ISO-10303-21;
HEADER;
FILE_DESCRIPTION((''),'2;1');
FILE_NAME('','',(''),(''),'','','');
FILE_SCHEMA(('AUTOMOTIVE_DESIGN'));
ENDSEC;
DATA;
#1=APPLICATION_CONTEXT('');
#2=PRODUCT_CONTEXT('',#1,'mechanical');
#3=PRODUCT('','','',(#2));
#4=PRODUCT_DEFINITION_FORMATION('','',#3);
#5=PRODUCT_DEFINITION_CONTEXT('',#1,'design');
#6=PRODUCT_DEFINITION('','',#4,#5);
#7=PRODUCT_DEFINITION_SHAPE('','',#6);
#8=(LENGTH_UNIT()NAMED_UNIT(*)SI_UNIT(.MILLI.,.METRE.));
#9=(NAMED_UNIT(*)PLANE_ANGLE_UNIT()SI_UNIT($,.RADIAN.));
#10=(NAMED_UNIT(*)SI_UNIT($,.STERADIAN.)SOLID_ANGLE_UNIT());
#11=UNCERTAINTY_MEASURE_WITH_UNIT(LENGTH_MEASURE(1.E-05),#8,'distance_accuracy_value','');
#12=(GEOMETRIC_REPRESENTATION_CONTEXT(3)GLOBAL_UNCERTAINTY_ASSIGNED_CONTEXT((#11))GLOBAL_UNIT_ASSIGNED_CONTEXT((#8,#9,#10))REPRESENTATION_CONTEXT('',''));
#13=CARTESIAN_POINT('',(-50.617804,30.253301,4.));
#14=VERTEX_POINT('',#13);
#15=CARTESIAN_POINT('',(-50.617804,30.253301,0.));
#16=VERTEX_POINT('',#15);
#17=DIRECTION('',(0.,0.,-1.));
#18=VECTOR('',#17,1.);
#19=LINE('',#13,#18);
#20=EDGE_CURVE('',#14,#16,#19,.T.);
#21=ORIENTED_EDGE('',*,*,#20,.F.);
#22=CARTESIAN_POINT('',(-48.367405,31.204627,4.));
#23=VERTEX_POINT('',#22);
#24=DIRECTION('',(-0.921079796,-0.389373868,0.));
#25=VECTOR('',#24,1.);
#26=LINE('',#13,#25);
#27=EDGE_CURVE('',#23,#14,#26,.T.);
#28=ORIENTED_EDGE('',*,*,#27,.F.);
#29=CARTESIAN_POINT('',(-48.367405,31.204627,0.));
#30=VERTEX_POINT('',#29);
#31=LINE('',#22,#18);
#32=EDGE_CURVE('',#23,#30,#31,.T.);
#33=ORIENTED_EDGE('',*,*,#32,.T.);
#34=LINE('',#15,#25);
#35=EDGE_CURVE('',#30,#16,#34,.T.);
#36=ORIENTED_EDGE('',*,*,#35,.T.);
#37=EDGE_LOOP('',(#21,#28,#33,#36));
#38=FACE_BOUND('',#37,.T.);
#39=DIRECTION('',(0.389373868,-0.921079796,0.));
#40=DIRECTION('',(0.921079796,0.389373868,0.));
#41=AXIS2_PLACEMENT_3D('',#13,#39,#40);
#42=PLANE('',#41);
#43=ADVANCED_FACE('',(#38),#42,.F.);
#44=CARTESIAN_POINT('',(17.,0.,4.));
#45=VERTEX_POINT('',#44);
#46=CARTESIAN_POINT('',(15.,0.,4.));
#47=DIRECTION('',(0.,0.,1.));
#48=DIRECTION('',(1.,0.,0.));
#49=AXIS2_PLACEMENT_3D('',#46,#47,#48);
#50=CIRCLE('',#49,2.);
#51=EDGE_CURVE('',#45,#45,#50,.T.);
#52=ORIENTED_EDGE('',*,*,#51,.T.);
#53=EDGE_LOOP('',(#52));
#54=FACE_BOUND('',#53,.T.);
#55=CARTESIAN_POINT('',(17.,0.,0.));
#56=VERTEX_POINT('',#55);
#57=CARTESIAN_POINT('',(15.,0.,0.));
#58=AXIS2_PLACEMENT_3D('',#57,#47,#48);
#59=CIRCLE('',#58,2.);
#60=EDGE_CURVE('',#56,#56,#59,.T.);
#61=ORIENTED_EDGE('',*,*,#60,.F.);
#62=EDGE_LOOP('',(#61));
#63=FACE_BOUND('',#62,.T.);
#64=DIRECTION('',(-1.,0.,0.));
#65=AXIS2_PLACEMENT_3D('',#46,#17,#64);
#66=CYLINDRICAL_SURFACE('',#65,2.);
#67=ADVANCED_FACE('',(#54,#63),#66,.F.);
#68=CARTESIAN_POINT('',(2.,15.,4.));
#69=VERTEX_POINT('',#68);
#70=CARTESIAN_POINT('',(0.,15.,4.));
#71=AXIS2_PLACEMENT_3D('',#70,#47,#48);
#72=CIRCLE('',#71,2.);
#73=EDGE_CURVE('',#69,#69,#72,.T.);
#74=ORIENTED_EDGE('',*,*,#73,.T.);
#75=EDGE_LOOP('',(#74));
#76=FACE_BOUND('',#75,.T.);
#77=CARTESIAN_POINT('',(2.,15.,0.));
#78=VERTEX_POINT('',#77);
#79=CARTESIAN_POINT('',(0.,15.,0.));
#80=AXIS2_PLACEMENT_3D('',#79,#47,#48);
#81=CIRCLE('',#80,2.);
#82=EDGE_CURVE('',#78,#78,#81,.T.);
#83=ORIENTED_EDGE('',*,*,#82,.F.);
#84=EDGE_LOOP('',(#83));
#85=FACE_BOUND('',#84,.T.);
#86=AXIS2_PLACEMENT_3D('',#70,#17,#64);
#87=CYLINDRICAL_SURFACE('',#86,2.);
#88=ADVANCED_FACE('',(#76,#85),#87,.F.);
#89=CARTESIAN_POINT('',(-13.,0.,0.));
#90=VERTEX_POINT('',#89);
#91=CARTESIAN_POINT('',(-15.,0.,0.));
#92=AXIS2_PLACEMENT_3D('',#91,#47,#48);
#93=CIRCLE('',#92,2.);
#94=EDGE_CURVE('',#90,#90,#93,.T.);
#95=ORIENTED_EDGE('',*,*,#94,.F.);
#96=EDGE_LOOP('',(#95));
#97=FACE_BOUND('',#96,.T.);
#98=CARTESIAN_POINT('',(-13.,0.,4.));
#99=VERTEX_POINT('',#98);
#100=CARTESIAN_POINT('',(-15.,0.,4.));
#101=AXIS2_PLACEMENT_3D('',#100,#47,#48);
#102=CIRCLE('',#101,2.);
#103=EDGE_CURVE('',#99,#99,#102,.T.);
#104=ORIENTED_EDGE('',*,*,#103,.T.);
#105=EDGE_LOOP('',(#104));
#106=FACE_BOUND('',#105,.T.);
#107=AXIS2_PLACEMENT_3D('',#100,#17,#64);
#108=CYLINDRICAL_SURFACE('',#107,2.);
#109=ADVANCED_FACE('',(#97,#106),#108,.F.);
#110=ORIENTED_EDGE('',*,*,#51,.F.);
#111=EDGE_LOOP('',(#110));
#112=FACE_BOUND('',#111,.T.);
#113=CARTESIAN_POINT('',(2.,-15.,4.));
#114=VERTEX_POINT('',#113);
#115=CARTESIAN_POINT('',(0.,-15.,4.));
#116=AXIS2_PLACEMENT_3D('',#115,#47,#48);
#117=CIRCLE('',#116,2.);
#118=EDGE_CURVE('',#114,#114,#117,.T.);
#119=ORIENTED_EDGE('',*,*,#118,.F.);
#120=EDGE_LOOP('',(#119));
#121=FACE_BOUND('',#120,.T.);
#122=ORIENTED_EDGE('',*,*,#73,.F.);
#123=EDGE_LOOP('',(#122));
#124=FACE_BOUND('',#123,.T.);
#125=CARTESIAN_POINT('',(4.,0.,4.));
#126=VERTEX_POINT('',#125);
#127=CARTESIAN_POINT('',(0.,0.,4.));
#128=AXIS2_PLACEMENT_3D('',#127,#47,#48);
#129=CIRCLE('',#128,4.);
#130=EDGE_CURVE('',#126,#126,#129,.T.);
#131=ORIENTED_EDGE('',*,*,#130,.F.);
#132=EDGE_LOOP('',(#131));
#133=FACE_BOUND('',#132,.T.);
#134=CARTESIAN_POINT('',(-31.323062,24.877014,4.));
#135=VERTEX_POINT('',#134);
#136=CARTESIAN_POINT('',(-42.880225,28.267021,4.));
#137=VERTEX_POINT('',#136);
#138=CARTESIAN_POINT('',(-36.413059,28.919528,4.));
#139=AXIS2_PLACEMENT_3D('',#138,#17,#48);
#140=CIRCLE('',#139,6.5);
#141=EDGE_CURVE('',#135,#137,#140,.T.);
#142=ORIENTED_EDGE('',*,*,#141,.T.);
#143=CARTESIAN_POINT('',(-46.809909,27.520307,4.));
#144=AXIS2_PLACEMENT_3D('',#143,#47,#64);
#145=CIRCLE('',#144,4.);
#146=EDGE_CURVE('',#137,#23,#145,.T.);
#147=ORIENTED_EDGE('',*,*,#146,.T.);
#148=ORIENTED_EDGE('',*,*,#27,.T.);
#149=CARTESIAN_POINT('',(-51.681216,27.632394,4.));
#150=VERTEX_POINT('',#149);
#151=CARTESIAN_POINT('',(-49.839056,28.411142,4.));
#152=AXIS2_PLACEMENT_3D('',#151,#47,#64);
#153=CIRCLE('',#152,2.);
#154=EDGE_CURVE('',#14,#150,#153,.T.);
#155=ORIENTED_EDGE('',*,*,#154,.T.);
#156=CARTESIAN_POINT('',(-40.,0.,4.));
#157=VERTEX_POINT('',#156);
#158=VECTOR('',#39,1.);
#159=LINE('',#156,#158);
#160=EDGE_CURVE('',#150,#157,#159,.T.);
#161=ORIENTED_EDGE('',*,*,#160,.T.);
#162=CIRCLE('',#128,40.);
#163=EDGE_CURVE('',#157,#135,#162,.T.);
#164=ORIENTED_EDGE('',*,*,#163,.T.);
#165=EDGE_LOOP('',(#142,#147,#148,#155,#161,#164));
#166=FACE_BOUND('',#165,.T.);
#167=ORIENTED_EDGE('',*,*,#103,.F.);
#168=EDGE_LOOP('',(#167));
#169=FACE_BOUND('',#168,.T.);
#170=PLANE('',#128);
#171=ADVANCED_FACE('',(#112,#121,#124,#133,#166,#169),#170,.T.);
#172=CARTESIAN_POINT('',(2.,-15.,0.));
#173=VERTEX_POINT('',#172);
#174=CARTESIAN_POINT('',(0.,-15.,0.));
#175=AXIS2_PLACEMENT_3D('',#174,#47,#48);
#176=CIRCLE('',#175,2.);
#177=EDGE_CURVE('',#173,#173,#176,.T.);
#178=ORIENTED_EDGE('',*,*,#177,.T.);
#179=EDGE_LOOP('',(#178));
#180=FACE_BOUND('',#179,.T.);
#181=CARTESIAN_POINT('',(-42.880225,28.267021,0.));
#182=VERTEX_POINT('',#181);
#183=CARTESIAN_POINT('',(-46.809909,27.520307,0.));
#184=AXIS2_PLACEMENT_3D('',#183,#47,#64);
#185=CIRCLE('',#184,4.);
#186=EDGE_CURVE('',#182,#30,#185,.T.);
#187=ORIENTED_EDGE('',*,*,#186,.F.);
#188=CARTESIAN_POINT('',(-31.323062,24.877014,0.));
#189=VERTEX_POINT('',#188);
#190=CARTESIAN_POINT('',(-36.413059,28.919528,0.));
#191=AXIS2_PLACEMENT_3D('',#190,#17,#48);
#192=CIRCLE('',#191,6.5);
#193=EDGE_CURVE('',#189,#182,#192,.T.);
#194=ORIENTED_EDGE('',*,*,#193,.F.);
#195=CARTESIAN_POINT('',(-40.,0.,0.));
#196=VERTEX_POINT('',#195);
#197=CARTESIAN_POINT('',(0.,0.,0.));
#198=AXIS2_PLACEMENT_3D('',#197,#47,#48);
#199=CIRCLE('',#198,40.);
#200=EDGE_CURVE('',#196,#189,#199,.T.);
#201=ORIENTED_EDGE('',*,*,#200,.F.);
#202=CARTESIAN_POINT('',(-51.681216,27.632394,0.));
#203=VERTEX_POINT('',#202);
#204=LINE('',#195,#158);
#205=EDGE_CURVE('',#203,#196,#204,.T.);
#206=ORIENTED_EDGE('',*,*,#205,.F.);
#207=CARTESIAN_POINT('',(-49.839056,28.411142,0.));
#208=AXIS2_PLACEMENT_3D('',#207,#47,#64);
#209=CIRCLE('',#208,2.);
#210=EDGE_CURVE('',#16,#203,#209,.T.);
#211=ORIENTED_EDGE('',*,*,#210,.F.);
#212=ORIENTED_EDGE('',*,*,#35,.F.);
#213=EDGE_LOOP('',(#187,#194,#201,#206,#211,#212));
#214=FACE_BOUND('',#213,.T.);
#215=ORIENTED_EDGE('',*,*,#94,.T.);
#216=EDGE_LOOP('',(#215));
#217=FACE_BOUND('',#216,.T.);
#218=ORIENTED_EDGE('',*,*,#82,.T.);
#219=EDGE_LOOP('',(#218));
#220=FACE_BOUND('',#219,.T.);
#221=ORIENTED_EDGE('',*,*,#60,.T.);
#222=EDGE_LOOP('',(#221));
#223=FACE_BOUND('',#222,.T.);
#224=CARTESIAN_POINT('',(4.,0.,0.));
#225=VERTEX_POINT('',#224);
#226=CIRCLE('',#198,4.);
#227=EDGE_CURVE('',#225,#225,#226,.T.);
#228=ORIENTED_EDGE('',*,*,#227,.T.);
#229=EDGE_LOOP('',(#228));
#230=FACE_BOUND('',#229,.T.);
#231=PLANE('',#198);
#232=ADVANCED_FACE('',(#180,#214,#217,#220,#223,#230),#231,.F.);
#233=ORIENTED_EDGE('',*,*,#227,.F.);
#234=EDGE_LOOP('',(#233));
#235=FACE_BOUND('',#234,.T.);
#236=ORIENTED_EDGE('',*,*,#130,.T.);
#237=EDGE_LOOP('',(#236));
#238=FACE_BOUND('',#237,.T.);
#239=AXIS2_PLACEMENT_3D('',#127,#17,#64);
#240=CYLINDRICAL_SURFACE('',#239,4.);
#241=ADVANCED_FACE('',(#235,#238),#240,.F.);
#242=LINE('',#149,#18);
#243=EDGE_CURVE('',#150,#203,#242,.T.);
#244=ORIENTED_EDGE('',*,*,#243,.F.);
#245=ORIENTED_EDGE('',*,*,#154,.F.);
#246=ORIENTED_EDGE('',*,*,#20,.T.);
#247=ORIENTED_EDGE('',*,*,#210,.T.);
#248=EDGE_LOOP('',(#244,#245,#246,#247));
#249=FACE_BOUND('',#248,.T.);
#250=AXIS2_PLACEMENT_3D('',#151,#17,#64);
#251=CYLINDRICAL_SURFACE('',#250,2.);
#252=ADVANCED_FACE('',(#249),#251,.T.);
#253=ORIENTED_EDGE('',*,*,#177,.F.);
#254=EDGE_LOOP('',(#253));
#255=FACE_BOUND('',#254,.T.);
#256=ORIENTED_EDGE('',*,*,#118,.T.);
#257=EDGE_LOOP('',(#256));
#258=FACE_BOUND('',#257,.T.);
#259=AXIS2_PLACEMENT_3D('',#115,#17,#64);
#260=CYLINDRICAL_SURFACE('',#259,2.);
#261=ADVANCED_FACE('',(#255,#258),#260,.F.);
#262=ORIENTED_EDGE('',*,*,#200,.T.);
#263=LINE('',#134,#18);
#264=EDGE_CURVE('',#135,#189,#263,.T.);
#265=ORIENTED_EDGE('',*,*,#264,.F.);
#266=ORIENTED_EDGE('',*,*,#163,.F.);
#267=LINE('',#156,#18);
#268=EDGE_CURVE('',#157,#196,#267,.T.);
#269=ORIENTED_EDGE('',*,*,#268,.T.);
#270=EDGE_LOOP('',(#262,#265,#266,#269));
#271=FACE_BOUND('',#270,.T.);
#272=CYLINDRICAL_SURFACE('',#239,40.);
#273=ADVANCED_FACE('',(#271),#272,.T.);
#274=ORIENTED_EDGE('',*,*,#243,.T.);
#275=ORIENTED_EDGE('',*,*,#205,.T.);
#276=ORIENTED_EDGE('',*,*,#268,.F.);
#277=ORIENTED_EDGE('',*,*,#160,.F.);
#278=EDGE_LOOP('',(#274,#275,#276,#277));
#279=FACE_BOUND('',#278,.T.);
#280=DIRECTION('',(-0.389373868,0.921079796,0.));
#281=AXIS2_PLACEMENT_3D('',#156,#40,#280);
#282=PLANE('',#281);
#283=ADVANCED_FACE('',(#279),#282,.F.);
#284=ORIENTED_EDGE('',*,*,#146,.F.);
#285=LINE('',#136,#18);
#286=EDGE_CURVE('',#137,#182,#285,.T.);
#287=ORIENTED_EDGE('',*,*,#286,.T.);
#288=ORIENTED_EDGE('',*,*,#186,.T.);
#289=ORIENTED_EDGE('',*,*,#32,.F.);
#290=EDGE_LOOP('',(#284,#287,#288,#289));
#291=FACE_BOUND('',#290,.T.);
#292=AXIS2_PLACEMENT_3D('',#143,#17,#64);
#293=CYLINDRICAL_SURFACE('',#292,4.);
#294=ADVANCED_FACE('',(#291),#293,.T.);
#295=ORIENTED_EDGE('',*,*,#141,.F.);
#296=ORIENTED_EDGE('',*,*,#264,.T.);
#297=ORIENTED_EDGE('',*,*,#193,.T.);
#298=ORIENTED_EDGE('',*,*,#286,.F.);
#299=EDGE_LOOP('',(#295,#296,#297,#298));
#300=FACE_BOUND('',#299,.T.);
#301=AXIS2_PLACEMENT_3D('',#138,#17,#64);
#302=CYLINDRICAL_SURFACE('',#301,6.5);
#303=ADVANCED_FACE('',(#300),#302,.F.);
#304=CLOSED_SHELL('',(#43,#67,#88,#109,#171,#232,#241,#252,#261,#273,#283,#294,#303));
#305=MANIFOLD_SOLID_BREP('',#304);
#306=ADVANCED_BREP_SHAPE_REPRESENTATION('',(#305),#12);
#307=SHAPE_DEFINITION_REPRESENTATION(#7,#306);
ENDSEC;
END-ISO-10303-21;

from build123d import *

# Parameters (mm, degrees)
SKETCH1_R           = 4
SKETCH1_R_2         = 2
BOSS_EXTRUDE1_DEPTH = 4


with BuildPart() as part:
    # Sketch1 → Boss-Extrude1 (new body)
    with BuildSketch(Plane.XY):
        with BuildLine():
            Line((-40, 0), (-51.681216052, 27.63239388))
            ThreePointArc((-51.681216052, 27.63239388), (-51.692317805, 29.163087351), (-50.617804197, 30.253301209))
            Line((-50.617804197, 30.253301209), (-48.367404943, 31.204626671))
            ThreePointArc((-48.367404943, 31.204626671), (-44.922000222, 31.046750266), (-42.880225189, 28.267021256))
            ThreePointArc((-42.880225189, 28.267021256), (-38.242591008, 22.682316206), (-31.323061762, 24.877013524))
            ThreePointArc((-31.323061762, 24.877013524), (37.768521751, -13.17341128), (-40, 0))
        make_face()
        Circle(SKETCH1_R, mode=Mode.SUBTRACT)
        with Locations((0, 15)):
            Circle(SKETCH1_R_2, mode=Mode.SUBTRACT)
        with Locations((15, 0)):
            Circle(SKETCH1_R_2, mode=Mode.SUBTRACT)
        with Locations((0, -15)):
            Circle(SKETCH1_R_2, mode=Mode.SUBTRACT)
        with Locations((-15, 0)):
            Circle(SKETCH1_R_2, mode=Mode.SUBTRACT)
    extrude(amount=BOSS_EXTRUDE1_DEPTH)


solid = part.part
